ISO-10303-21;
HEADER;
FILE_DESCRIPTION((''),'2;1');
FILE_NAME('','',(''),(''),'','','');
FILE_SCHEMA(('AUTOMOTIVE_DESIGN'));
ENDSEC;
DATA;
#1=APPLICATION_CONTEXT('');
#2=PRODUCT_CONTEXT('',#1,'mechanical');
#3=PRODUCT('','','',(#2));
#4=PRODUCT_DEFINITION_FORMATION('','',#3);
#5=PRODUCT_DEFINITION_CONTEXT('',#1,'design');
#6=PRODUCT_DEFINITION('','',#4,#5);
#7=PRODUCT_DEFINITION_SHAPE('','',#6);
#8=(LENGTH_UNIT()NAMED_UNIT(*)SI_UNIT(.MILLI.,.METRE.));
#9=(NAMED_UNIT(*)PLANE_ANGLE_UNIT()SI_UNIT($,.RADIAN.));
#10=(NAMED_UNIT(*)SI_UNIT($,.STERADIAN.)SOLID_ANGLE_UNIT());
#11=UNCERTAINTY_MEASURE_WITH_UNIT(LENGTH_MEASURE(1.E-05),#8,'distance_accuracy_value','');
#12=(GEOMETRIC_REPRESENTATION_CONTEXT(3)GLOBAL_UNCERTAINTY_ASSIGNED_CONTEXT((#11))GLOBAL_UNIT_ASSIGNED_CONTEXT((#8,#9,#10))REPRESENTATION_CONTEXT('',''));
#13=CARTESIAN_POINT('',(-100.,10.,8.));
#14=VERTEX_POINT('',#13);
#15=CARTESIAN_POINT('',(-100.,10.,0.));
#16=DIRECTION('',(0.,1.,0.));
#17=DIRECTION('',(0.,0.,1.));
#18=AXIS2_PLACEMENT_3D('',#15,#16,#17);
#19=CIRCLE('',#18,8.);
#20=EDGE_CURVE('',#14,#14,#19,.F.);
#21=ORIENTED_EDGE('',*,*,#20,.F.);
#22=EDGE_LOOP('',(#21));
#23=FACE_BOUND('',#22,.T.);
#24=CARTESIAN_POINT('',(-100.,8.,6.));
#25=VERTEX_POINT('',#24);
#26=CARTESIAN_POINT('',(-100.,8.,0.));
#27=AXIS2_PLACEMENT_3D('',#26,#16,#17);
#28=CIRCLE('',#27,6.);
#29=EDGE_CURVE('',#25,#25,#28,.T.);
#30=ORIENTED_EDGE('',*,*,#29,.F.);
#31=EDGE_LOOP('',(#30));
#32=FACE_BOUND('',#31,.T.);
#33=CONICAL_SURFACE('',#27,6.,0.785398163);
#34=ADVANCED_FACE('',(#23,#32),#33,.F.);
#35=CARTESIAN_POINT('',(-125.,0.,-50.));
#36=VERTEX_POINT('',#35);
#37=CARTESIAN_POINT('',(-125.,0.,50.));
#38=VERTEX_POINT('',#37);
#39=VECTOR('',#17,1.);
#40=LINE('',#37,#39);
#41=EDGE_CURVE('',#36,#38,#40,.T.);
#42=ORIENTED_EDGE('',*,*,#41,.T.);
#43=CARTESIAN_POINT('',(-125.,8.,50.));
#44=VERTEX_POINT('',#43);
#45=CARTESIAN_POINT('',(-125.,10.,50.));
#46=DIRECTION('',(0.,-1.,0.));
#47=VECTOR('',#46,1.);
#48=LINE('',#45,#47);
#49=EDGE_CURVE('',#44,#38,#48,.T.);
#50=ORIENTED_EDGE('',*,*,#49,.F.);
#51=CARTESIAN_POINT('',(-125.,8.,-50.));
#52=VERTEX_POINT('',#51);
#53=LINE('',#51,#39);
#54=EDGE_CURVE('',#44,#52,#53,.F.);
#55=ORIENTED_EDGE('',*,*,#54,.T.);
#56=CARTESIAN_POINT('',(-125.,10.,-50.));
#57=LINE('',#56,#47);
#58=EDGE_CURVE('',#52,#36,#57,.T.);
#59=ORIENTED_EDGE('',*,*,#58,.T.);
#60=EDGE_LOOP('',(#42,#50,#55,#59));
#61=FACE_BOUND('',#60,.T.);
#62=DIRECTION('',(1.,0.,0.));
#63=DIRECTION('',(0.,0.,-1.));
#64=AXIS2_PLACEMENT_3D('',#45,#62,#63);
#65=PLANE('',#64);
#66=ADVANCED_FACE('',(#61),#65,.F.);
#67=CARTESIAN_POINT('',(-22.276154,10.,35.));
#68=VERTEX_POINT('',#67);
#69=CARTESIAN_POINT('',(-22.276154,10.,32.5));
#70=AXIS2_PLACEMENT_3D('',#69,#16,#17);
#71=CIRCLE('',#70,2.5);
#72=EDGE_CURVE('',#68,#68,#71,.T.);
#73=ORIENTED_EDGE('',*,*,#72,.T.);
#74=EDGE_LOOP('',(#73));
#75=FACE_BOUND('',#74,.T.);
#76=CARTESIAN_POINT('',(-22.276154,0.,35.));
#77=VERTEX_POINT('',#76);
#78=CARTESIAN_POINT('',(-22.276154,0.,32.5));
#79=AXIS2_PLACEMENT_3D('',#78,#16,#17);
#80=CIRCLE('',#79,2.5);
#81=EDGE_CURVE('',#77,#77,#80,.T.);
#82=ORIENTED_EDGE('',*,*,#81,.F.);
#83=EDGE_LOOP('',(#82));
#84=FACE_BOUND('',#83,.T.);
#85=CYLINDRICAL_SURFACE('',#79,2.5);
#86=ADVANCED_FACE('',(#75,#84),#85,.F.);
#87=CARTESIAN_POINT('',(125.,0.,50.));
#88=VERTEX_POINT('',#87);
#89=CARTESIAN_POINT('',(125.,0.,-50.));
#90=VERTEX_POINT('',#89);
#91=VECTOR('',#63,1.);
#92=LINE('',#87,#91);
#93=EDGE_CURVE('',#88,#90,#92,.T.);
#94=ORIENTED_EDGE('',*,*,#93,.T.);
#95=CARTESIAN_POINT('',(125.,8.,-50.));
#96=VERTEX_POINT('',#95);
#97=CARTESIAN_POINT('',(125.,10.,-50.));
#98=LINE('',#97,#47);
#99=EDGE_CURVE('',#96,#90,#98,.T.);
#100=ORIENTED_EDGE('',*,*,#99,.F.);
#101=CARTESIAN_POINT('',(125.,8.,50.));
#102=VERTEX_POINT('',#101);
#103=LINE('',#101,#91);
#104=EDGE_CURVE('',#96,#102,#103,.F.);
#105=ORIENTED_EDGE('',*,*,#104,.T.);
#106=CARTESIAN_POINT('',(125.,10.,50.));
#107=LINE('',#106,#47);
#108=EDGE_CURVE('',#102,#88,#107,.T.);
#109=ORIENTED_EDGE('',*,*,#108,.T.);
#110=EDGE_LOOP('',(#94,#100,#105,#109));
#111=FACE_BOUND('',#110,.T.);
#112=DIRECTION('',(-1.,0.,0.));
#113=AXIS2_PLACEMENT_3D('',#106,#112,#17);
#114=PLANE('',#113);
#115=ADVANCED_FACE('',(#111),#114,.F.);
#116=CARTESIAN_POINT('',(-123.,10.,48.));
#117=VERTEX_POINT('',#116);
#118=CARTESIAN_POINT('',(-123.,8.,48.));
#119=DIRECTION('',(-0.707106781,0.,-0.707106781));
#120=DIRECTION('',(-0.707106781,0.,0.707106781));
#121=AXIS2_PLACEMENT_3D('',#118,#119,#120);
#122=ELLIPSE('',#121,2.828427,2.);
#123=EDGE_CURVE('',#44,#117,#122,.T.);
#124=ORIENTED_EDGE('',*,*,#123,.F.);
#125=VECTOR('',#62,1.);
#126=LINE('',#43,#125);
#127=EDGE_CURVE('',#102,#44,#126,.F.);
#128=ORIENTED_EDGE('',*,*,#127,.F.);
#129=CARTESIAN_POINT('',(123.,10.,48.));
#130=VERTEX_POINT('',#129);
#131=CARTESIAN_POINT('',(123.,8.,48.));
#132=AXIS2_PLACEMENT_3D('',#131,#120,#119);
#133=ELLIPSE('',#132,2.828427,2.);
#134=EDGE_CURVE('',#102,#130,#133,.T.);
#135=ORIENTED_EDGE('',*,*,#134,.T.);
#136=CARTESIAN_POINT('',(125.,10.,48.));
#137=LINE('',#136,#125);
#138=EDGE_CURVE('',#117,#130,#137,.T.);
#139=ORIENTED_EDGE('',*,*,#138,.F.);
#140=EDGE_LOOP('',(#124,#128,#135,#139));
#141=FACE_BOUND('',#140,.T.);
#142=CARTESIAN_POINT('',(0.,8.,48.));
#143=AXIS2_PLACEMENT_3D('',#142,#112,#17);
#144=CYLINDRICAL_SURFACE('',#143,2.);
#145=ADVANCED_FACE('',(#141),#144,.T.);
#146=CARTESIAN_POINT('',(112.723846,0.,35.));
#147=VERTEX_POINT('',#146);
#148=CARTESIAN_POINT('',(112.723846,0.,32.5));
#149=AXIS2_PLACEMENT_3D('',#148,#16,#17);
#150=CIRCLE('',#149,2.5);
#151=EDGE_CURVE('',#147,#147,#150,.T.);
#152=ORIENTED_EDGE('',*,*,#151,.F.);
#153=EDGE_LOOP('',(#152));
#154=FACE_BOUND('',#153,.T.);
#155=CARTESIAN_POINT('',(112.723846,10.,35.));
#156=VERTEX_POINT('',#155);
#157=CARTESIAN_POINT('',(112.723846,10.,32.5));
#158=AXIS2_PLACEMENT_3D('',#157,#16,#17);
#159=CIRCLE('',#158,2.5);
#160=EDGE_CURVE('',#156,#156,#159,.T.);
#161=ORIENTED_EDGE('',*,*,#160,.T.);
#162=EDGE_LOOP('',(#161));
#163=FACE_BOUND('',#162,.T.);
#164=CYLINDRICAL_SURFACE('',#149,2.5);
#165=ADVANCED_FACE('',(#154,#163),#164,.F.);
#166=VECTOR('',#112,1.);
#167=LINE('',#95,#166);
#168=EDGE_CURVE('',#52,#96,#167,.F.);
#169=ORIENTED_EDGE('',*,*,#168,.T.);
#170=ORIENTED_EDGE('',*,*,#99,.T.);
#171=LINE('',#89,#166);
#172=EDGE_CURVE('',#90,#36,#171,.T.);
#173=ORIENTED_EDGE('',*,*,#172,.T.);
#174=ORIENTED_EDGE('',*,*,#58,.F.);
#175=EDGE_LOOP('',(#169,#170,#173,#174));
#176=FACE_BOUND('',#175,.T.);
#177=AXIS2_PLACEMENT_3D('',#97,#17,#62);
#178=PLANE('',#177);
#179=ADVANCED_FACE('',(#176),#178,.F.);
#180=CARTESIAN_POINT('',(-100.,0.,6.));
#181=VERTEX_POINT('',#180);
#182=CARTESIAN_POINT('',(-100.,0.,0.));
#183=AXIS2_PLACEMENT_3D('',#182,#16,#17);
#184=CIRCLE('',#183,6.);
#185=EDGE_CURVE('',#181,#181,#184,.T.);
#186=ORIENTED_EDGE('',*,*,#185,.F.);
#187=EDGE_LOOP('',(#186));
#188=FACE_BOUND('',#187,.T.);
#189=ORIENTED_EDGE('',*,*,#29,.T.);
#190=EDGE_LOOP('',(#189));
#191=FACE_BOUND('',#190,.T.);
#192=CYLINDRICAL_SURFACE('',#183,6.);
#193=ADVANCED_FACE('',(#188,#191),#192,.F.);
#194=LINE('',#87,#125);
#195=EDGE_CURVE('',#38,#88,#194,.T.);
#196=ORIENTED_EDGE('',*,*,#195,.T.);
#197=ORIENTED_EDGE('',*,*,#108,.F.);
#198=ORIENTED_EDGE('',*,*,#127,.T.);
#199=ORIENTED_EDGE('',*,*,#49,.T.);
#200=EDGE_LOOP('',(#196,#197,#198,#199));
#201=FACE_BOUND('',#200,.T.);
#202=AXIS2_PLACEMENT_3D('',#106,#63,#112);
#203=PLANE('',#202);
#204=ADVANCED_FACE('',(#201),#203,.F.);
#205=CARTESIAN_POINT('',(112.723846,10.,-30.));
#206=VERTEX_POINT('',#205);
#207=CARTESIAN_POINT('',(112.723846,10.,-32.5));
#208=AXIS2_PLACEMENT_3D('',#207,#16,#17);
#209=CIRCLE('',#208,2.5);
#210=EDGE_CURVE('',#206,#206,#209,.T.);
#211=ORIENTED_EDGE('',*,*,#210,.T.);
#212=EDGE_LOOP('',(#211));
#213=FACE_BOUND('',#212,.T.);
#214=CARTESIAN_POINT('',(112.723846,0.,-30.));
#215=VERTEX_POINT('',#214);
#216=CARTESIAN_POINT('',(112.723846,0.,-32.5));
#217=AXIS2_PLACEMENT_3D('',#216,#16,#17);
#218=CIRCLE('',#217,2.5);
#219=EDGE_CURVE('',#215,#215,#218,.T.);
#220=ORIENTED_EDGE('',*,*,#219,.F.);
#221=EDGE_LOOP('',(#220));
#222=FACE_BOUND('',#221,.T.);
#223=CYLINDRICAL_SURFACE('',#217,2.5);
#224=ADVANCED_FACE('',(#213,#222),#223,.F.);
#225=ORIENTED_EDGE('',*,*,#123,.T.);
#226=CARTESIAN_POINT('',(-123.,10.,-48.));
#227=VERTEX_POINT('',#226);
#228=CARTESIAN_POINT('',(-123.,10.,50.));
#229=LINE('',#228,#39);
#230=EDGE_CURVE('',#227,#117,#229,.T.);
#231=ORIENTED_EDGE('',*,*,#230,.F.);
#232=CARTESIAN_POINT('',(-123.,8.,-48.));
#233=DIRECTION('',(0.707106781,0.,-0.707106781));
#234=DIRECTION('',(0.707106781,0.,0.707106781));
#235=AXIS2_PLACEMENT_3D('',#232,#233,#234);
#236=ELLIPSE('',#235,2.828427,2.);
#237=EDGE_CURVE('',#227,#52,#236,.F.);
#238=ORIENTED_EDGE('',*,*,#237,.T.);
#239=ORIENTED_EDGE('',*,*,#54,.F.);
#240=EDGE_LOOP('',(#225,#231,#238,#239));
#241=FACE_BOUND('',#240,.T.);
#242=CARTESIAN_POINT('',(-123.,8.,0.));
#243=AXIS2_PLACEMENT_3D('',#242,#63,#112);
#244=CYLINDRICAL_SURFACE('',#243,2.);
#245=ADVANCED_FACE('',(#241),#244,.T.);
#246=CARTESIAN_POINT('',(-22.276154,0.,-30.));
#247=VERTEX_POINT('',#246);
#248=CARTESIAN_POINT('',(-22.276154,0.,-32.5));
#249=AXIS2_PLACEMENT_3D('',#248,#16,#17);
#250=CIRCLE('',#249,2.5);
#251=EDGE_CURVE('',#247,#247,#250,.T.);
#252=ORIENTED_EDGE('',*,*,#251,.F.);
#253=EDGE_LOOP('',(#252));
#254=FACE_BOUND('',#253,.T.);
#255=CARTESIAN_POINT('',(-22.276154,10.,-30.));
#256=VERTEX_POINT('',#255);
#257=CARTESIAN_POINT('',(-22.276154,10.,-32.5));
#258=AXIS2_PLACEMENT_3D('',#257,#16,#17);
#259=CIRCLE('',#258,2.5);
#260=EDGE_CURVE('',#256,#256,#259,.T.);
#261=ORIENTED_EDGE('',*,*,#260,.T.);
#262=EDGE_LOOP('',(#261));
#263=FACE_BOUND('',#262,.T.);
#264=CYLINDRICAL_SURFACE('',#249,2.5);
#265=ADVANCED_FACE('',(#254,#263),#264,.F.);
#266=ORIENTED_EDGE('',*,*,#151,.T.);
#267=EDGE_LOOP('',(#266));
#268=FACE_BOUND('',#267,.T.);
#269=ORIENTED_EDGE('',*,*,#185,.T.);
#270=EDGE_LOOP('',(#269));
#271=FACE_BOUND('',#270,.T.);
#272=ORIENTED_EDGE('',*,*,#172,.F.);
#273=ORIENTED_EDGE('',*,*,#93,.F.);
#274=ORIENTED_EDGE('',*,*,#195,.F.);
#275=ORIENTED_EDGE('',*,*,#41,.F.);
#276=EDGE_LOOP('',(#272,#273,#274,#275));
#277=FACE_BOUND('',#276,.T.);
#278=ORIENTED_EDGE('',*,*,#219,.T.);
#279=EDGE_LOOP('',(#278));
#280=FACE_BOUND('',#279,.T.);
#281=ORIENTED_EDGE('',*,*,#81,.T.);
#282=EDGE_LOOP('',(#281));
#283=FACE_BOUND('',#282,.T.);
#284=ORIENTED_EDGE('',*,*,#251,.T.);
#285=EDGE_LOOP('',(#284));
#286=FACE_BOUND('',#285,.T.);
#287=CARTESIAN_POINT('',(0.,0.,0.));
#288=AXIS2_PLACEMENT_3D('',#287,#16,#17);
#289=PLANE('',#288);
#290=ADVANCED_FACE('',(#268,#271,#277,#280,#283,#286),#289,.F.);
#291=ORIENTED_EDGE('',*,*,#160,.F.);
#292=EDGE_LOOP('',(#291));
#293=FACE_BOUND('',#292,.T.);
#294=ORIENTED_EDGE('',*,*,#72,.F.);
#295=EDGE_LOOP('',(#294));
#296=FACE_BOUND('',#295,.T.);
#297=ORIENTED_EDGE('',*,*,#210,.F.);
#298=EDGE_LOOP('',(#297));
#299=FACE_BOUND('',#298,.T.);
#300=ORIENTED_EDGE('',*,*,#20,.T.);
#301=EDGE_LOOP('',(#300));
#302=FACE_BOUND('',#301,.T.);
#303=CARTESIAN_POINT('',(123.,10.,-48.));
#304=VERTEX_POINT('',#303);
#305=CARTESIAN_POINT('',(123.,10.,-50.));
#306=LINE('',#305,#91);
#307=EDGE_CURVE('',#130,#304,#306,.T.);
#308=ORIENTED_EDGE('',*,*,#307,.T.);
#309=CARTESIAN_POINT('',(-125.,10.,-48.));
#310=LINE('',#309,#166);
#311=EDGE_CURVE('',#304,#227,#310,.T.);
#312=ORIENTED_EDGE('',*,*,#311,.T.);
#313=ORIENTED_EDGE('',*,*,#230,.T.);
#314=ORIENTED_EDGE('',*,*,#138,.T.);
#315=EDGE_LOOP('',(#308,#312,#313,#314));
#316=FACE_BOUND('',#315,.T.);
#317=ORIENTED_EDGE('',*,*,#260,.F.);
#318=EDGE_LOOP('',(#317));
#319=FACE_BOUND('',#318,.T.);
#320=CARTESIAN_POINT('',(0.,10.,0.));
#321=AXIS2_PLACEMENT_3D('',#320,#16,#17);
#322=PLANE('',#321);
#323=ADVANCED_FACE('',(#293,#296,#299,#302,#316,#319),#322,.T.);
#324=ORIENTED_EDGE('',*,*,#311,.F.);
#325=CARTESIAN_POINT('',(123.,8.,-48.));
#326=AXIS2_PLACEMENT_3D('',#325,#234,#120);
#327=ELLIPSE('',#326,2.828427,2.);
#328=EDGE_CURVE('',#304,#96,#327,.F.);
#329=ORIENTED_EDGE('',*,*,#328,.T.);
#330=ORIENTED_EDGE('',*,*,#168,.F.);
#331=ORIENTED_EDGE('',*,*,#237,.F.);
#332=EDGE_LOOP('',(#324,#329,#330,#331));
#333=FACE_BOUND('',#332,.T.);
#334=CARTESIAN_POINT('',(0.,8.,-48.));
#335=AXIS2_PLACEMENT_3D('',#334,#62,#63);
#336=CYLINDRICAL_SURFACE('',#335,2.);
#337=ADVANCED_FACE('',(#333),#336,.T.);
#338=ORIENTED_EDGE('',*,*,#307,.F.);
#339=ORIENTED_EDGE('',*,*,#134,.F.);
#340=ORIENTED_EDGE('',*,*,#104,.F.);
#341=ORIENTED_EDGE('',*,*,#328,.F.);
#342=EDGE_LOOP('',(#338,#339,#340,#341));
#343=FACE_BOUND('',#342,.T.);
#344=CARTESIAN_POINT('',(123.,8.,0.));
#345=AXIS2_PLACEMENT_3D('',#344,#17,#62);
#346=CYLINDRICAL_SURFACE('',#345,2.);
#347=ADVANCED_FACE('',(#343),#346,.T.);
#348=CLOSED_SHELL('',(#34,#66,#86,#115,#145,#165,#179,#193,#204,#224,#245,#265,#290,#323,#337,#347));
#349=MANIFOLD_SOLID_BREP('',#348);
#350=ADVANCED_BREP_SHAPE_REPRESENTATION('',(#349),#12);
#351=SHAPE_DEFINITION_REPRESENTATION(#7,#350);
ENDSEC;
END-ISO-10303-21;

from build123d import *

# Parameters (mm, degrees)
SKETCH1_W           = 250
SKETCH1_H           = 100
BOSS_EXTRUDE1_DEPTH = 10
FILLET1_R           = 2
SKETCH2_R           = 6
CUT_EXTRUDE1_DEPTH  = 11
CHAMFER1_SIZE       = 2
SKETCH3_R           = 2.5
CUT_EXTRUDE2_DEPTH  = 11


with BuildPart() as part:
    # Sketch1 → Boss-Extrude1 (new body)
    with BuildSketch(Plane(origin=(0, 0, 0), x_dir=(1, 0, 0), z_dir=(0, 1, 0))):
        Rectangle(SKETCH1_W, SKETCH1_H)
    extrude(amount=BOSS_EXTRUDE1_DEPTH)

    # Fillet1
    fillet1_edges = [part.edges().sort_by_distance(p)[0] for p in [
        (125, 10, 0),
        (0, 10, -50),
        (-125, 10, 0),
        (0, 10, 50),
    ]]
    fillet(fillet1_edges, radius=FILLET1_R)

    # Sketch2 → Cut-Extrude1 (cut, through all)
    with BuildSketch(Plane(origin=(0, 10, 0), x_dir=(1, 0, 0), z_dir=(0, 1, 0))):
        with Locations((-100, 0)):
            Circle(SKETCH2_R)
    extrude(amount=-CUT_EXTRUDE1_DEPTH, mode=Mode.SUBTRACT)

    # Chamfer1
    chamfer1_edges = [part.edges().sort_by_distance(p)[0] for p in [
        (-106, 10, 0),
    ]]
    chamfer(chamfer1_edges, length=CHAMFER1_SIZE)

    # Sketch3 → Cut-Extrude2 (cut, through all)
    with BuildSketch(Plane(origin=(0, 10, 0), x_dir=(1, 0, 0), z_dir=(0, 1, 0))):
        with Locations((112.723846374, 32.5)):
            Circle(SKETCH3_R)
        with Locations((112.723846374, -32.5)):
            Circle(SKETCH3_R)
        with Locations((-22.276153626, 32.5)):
            Circle(SKETCH3_R)
        with Locations((-22.276153626, -32.5)):
            Circle(SKETCH3_R)
    extrude(amount=-CUT_EXTRUDE2_DEPTH, mode=Mode.SUBTRACT)


solid = part.part
